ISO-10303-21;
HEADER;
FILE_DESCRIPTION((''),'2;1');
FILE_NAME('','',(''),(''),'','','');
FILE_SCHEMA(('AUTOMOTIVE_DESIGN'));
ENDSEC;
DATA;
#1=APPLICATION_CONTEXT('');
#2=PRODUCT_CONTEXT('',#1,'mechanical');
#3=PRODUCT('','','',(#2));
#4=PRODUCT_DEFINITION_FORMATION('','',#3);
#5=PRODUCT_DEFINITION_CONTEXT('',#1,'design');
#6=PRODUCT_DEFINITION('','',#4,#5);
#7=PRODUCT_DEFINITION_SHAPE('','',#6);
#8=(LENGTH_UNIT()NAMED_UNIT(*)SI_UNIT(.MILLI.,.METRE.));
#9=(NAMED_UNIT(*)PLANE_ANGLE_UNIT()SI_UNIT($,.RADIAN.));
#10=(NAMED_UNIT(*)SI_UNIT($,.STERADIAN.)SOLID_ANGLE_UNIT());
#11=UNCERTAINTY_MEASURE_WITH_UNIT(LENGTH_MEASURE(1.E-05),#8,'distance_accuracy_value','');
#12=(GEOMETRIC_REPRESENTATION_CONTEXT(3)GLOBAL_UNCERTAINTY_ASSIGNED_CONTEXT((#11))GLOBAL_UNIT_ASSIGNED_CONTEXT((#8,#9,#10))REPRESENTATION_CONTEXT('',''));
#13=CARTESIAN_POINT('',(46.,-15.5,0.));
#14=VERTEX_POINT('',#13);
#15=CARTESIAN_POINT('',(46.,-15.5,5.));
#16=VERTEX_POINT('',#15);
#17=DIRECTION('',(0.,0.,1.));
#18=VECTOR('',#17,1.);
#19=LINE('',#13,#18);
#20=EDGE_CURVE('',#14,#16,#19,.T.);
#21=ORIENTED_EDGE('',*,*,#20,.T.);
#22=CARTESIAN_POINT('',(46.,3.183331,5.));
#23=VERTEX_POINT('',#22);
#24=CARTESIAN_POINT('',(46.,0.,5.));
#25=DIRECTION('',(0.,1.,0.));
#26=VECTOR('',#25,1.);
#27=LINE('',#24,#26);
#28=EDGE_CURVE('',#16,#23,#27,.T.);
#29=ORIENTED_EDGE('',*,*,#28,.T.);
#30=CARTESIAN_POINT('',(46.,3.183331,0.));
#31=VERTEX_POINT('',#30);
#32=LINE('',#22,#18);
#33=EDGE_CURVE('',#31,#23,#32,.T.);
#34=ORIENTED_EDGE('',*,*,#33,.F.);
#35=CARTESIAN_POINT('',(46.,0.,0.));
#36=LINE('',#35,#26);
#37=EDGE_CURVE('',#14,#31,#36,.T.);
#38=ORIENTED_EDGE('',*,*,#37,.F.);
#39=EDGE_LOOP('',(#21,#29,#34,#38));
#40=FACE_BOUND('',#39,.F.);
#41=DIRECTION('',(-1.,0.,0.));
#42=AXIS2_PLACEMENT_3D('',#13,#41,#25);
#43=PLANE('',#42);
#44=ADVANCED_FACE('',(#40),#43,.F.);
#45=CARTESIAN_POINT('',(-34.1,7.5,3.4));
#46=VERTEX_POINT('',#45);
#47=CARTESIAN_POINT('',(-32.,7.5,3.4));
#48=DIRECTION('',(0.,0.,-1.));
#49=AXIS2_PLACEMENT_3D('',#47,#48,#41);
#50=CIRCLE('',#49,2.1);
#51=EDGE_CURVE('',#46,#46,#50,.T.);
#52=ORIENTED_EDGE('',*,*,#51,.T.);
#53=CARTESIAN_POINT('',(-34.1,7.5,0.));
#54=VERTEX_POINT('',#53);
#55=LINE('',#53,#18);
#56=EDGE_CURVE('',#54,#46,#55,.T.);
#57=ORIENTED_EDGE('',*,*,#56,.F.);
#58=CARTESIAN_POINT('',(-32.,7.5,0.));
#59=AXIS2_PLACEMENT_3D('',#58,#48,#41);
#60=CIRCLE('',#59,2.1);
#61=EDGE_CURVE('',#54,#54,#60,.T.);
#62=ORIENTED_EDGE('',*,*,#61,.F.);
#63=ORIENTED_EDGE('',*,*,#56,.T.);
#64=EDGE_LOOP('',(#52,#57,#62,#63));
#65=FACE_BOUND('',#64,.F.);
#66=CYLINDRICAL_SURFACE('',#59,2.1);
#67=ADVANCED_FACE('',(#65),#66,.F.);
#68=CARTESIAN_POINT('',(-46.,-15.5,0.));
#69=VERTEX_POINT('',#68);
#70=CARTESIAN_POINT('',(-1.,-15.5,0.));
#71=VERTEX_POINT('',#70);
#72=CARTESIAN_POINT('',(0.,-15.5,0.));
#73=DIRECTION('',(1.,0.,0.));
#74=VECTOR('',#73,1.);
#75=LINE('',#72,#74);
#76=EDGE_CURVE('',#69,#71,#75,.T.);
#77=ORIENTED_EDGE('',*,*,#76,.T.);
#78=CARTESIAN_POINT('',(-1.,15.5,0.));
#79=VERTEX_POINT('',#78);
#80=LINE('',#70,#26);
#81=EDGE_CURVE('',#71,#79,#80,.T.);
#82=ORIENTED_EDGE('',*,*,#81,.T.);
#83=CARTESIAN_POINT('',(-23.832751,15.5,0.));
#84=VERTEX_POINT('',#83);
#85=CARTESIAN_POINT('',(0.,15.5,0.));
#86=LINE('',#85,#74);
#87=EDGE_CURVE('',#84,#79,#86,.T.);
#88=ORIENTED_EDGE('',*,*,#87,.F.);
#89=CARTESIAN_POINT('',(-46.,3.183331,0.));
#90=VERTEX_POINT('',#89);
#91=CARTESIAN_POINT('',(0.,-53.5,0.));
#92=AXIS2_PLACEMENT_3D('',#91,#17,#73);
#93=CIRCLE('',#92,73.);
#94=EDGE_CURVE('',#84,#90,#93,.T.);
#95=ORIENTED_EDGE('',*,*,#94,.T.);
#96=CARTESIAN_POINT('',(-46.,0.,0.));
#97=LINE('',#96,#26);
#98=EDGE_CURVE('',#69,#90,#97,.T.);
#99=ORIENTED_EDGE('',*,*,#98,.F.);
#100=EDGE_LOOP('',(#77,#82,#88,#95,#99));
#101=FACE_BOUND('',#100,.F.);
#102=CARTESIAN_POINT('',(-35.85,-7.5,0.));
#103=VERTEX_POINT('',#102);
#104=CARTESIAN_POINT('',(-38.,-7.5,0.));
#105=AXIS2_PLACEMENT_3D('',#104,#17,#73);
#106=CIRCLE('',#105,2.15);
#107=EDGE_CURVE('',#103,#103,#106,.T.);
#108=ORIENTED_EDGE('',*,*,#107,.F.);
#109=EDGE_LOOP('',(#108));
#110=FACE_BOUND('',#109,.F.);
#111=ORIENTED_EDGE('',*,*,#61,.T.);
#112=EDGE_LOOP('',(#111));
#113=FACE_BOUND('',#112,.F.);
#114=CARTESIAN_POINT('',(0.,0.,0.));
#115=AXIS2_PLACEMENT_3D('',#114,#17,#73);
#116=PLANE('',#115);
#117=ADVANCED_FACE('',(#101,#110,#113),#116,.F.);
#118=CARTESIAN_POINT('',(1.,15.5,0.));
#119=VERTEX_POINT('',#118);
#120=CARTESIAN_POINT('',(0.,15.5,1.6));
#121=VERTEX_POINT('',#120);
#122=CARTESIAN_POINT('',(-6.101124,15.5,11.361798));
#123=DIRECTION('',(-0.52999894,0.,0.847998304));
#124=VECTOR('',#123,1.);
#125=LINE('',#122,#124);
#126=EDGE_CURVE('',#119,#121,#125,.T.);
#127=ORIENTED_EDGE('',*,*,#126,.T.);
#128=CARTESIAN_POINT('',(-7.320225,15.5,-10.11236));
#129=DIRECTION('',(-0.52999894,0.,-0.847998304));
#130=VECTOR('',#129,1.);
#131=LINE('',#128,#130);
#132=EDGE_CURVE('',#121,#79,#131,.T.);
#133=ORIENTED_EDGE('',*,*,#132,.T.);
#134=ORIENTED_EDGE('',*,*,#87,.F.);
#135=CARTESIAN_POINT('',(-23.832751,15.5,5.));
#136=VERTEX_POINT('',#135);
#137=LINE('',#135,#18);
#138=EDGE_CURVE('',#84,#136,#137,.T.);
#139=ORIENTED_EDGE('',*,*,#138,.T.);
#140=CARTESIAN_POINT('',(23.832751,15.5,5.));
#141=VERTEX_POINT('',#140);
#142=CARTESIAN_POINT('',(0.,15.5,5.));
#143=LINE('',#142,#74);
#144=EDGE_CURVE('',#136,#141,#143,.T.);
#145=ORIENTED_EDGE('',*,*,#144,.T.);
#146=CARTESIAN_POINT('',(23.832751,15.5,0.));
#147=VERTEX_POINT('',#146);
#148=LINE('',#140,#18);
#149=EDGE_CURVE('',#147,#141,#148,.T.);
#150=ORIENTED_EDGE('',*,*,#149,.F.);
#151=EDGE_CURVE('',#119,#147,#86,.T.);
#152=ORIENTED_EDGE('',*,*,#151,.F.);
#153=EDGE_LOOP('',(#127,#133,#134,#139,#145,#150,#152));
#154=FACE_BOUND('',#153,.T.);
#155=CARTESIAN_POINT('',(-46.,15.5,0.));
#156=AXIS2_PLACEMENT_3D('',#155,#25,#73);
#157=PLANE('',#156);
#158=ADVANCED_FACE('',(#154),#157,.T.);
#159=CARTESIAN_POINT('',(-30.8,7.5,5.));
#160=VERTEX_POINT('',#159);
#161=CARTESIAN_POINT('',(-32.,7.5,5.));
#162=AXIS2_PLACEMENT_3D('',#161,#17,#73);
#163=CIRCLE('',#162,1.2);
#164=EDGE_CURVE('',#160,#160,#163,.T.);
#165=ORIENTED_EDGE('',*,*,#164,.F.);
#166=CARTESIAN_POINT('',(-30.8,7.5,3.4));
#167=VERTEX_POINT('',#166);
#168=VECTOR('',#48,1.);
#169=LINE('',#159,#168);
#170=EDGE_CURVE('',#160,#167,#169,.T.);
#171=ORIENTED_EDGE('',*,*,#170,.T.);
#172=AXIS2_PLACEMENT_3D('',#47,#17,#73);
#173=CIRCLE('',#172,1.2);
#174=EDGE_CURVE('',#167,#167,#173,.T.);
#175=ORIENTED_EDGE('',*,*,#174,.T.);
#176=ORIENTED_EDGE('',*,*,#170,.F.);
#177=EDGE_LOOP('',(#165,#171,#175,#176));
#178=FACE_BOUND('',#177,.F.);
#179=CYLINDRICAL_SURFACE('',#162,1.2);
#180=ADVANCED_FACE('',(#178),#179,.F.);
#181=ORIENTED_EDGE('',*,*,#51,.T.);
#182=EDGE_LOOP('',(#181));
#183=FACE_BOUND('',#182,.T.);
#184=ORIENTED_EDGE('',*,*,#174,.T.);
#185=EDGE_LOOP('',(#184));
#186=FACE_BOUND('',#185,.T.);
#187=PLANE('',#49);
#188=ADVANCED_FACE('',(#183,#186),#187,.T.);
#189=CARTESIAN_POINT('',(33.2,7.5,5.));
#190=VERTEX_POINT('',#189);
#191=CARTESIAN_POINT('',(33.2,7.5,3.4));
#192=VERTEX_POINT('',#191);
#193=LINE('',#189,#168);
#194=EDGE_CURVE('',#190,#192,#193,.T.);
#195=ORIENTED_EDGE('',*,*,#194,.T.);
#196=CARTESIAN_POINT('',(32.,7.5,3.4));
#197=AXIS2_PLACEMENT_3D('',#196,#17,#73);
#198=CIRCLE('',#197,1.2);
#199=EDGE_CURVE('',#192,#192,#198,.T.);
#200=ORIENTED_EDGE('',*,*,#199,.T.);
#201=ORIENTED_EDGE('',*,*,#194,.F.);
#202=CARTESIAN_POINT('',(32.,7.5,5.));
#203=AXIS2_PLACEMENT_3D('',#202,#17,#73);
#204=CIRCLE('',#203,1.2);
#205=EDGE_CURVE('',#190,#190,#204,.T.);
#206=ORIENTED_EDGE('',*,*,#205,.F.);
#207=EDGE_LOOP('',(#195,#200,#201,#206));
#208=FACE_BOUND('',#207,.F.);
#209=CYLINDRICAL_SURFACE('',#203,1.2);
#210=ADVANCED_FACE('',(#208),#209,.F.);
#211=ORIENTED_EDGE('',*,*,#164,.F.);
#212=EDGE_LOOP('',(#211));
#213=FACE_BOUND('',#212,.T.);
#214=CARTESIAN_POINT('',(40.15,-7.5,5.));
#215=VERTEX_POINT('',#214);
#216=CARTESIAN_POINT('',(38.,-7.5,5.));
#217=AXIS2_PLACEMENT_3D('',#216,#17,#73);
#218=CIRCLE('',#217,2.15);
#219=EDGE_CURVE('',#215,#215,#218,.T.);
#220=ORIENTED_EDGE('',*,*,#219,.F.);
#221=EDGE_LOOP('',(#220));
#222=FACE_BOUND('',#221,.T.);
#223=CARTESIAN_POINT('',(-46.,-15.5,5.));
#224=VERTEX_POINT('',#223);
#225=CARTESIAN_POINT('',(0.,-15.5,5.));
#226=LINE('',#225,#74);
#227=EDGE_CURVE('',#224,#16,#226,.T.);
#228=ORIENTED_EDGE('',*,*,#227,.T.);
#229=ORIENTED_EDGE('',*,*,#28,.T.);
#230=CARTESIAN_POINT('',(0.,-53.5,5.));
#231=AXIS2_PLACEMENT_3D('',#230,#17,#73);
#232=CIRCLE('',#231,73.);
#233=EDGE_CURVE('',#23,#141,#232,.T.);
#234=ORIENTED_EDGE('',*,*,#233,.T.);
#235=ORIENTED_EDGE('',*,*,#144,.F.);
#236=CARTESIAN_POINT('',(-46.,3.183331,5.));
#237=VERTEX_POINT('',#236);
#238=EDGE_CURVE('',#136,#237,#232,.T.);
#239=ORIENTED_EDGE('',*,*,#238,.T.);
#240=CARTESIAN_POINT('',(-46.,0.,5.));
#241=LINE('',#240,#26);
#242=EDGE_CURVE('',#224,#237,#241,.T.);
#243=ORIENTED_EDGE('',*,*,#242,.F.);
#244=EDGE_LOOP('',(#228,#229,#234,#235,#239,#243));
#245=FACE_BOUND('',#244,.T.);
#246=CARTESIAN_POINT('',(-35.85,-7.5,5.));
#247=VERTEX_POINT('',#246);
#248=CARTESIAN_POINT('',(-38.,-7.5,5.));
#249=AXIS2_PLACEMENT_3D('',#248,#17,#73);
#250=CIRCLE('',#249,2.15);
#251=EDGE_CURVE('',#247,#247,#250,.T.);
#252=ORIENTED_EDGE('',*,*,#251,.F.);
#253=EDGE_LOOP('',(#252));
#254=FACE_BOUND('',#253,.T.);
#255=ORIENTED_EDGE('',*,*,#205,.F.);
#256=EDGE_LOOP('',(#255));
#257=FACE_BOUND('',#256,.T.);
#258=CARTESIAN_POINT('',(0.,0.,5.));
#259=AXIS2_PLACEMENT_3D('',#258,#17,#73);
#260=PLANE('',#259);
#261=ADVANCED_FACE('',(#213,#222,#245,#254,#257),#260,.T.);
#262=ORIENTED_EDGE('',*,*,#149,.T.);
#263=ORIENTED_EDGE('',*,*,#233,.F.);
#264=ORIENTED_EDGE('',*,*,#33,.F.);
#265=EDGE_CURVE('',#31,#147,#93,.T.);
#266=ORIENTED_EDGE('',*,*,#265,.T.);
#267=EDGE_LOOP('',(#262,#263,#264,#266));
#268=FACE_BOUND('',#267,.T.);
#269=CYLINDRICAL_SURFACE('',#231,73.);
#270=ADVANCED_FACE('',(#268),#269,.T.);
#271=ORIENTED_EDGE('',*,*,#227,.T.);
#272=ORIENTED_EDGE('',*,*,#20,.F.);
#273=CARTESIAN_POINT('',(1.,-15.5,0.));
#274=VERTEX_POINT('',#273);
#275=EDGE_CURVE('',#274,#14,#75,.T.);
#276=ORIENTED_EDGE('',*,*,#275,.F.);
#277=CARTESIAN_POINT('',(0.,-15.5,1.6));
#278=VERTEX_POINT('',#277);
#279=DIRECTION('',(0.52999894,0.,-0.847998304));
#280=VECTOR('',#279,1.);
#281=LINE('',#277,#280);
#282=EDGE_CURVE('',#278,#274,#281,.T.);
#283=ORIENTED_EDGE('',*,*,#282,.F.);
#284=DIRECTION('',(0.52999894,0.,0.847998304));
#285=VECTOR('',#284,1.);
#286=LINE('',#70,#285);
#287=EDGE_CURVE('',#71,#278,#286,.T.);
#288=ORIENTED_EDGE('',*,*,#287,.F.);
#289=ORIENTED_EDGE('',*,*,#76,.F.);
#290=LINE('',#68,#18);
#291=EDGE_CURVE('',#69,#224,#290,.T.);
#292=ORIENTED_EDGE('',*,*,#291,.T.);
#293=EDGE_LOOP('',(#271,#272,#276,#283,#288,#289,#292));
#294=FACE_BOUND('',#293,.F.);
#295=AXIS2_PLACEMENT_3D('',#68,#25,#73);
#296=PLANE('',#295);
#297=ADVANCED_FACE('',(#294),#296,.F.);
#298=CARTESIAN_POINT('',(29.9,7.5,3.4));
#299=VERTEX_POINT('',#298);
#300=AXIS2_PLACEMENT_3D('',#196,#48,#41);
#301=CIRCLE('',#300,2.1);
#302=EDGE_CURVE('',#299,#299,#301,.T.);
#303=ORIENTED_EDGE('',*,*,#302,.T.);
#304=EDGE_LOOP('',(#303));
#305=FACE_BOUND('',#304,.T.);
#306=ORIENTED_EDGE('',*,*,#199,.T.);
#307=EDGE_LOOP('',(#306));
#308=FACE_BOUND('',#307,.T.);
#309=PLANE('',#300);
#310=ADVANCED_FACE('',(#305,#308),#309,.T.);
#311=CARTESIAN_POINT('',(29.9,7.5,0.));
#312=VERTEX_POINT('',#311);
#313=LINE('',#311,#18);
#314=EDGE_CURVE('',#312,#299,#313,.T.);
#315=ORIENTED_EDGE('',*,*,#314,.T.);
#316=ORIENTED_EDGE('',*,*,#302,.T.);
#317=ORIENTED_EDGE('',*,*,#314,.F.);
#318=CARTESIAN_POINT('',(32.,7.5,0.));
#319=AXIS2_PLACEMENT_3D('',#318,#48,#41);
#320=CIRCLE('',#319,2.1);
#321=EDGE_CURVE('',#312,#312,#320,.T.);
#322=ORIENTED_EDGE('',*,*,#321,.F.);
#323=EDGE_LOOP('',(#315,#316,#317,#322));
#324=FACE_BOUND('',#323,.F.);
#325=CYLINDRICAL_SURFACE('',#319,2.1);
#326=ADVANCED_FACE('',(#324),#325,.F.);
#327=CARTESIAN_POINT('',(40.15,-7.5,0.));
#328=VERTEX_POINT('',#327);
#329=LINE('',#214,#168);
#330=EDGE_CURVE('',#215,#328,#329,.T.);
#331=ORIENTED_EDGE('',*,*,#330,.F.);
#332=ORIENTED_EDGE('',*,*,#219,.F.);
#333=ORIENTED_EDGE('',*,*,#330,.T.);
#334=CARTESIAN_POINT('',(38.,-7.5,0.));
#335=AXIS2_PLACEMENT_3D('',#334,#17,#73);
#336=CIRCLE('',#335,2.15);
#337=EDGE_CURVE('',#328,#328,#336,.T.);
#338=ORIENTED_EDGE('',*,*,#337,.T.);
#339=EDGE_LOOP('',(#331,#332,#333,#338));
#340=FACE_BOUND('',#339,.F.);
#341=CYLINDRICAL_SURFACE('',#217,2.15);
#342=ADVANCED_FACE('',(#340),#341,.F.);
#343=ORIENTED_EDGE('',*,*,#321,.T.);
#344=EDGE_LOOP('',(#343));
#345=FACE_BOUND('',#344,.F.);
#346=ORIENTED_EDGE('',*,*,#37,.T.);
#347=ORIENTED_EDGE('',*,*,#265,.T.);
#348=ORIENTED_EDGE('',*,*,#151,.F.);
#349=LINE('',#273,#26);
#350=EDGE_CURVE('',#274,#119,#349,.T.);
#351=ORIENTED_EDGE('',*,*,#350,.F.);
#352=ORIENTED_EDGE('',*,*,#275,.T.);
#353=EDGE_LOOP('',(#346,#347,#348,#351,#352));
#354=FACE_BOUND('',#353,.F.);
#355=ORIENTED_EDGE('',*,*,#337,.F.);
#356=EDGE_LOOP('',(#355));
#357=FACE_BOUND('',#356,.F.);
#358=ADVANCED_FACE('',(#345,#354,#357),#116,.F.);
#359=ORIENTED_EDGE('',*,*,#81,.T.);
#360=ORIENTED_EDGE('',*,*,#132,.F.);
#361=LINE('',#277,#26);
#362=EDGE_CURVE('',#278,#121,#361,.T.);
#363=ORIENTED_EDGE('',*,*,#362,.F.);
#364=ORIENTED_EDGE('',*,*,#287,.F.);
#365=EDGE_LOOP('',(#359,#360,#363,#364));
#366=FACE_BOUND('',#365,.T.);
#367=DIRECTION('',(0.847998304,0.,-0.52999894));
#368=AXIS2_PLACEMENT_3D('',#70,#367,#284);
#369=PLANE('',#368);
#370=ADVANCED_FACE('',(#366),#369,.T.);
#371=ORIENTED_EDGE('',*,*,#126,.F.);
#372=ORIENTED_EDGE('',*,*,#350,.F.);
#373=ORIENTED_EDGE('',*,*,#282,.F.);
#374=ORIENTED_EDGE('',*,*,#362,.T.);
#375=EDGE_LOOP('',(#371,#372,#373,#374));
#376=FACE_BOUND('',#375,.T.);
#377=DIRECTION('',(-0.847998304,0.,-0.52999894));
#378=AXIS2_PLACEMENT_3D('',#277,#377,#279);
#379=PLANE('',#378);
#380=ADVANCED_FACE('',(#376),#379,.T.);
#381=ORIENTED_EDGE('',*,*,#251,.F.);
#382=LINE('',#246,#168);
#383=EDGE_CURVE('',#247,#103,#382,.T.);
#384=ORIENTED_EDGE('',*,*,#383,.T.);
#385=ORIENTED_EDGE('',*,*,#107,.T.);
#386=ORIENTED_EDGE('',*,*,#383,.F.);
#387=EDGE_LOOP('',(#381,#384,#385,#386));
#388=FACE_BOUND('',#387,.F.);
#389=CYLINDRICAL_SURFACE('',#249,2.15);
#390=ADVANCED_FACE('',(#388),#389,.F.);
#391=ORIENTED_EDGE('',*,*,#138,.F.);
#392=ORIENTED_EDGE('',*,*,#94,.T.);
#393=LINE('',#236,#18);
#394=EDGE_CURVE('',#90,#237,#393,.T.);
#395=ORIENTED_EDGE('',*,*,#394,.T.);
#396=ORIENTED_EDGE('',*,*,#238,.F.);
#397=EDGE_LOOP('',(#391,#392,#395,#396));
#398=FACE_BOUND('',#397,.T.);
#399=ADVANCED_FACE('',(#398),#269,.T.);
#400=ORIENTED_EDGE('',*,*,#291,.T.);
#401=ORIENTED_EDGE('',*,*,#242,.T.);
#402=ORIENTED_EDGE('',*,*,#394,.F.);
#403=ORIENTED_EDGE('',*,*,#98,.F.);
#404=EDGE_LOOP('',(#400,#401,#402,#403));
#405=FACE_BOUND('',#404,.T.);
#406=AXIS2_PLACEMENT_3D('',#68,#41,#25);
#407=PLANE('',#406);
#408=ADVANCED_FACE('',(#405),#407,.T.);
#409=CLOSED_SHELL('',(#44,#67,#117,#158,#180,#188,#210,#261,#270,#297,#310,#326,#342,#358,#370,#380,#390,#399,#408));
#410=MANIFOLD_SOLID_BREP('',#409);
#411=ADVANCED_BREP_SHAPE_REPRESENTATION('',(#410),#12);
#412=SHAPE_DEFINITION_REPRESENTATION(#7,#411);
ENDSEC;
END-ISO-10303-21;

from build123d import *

# Parameters (mm, degrees)
SKETCH3_W           = 92
SKETCH3_H           = 31
BOSS_EXTRUDE2_DEPTH = 5
SKETCH4_R           = 103
SKETCH4_R_2         = 73
CUT_EXTRUDE1_DEPTH  = 6
SKETCH5_R           = 2.15
CUT_EXTRUDE2_DEPTH  = 6
CUT_EXTRUDE4_DEPTH  = 32
SKETCH8_R           = 1.2
CUT_EXTRUDE5_DEPTH  = 6
SKETCH9_R           = 2.1
CUT_EXTRUDE6_DEPTH  = 3.4


with BuildPart() as part:
    # Sketch3 → Boss-Extrude2 (new body)
    with BuildSketch(Plane.XY):
        Rectangle(SKETCH3_W, SKETCH3_H)
    extrude(amount=BOSS_EXTRUDE2_DEPTH)

    # Sketch4 → Cut-Extrude1 (cut, through all)
    with BuildSketch(Plane.XY.offset(5)):
        with Locations((0, -53.5)):
            Circle(SKETCH4_R)
        with Locations((0, -53.5)):
            Circle(SKETCH4_R_2, mode=Mode.SUBTRACT)
    extrude(amount=-CUT_EXTRUDE1_DEPTH, mode=Mode.SUBTRACT)

    # Sketch5 → Cut-Extrude2 (cut, through all)
    with BuildSketch(Plane.XY.offset(5)):
        with Locations((38, -7.5)):
            Circle(SKETCH5_R)
        with Locations((-38, -7.5)):
            Circle(SKETCH5_R)
    extrude(amount=-CUT_EXTRUDE2_DEPTH, mode=Mode.SUBTRACT)

    # Sketch7 → Cut-Extrude4 (cut, through all)
    with BuildSketch(Plane.XZ.offset(15.5)):
        Polygon((-1, 0), (0, 1.6), (1, 0), align=None)
    extrude(amount=-CUT_EXTRUDE4_DEPTH, mode=Mode.SUBTRACT)

    # Sketch8 → Cut-Extrude5 (cut, through all)
    with BuildSketch(Plane.XY.offset(5)):
        with Locations((-32, 7.5)):
            Circle(SKETCH8_R)
        with Locations((32, 7.5)):
            Circle(SKETCH8_R)
    extrude(amount=-CUT_EXTRUDE5_DEPTH, mode=Mode.SUBTRACT)

    # Sketch9 → Cut-Extrude6 (cut)
    with BuildSketch(Plane(origin=(0, 0, 0), x_dir=(-1, 0, 0), z_dir=(0, 0, -1))):
        with Locations((32, 7.5)):
            Circle(SKETCH9_R)
        with Locations((-32, 7.5)):
            Circle(SKETCH9_R)
    extrude(amount=-CUT_EXTRUDE6_DEPTH, mode=Mode.SUBTRACT)


solid = part.part
